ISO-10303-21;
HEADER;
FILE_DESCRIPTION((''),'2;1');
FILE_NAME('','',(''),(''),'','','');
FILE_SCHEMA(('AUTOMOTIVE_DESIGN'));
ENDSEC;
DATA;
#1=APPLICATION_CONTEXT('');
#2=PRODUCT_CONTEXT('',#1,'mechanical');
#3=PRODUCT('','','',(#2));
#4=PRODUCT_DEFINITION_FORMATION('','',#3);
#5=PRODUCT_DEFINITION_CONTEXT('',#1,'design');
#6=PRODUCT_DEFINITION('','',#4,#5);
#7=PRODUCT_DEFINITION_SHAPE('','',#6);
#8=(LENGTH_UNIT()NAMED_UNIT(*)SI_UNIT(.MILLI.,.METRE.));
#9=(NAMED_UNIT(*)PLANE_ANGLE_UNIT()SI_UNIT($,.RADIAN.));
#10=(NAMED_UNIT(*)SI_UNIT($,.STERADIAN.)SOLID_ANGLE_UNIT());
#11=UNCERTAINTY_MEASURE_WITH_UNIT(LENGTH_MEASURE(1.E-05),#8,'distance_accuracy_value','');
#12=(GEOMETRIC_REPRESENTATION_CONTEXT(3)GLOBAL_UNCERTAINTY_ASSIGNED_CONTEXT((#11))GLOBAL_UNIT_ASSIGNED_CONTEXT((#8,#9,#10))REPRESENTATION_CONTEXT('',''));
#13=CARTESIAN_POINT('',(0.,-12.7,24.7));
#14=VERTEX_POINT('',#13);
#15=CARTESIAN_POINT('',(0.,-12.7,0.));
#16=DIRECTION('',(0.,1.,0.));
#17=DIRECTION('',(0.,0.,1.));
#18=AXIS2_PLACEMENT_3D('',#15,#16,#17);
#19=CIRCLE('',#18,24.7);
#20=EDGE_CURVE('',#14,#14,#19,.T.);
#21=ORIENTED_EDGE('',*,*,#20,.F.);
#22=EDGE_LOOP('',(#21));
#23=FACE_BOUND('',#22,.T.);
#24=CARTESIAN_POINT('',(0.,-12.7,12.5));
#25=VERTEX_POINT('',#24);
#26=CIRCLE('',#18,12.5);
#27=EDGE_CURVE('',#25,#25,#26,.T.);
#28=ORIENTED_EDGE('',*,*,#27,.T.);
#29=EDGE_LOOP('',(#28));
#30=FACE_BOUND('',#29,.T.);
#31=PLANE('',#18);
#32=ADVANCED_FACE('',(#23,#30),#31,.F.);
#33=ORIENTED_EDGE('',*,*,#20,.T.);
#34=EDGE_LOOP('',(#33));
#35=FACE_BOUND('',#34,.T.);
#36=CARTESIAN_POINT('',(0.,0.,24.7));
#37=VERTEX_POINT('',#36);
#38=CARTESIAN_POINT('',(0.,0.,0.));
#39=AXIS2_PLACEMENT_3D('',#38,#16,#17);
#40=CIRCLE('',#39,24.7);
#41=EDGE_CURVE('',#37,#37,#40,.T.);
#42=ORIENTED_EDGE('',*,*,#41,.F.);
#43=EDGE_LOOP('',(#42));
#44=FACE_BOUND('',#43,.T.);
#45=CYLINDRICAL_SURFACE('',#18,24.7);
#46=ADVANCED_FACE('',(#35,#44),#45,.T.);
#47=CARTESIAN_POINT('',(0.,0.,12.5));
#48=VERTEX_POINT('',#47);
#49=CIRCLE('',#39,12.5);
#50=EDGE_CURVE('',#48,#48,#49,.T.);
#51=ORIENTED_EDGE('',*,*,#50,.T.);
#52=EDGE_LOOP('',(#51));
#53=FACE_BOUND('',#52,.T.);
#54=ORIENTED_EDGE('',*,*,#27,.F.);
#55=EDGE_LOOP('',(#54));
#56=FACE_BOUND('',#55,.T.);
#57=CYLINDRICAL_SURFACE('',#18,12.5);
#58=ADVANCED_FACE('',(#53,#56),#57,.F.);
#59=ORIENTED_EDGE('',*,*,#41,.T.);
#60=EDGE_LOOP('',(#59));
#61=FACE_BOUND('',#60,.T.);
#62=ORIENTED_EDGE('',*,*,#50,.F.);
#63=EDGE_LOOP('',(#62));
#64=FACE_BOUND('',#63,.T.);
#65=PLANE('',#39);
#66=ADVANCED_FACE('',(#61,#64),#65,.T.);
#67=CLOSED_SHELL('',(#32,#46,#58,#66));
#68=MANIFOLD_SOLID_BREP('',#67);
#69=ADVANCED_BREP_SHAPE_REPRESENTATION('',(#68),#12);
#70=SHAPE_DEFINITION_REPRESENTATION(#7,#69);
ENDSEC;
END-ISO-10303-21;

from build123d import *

# Parameters (mm, degrees)
SKETCH1_R           = 24.7
SKETCH1_R_2         = 12.5
BOSS_EXTRUDE1_DEPTH = 12.7


with BuildPart() as part:
    # Sketch1 → Boss-Extrude1 (new body)
    with BuildSketch(Plane(origin=(0, 0, 0), x_dir=(1, 0, 0), z_dir=(0, 1, 0))):
        Circle(SKETCH1_R)
        Circle(SKETCH1_R_2, mode=Mode.SUBTRACT)
    extrude(amount=-BOSS_EXTRUDE1_DEPTH)


solid = part.part
